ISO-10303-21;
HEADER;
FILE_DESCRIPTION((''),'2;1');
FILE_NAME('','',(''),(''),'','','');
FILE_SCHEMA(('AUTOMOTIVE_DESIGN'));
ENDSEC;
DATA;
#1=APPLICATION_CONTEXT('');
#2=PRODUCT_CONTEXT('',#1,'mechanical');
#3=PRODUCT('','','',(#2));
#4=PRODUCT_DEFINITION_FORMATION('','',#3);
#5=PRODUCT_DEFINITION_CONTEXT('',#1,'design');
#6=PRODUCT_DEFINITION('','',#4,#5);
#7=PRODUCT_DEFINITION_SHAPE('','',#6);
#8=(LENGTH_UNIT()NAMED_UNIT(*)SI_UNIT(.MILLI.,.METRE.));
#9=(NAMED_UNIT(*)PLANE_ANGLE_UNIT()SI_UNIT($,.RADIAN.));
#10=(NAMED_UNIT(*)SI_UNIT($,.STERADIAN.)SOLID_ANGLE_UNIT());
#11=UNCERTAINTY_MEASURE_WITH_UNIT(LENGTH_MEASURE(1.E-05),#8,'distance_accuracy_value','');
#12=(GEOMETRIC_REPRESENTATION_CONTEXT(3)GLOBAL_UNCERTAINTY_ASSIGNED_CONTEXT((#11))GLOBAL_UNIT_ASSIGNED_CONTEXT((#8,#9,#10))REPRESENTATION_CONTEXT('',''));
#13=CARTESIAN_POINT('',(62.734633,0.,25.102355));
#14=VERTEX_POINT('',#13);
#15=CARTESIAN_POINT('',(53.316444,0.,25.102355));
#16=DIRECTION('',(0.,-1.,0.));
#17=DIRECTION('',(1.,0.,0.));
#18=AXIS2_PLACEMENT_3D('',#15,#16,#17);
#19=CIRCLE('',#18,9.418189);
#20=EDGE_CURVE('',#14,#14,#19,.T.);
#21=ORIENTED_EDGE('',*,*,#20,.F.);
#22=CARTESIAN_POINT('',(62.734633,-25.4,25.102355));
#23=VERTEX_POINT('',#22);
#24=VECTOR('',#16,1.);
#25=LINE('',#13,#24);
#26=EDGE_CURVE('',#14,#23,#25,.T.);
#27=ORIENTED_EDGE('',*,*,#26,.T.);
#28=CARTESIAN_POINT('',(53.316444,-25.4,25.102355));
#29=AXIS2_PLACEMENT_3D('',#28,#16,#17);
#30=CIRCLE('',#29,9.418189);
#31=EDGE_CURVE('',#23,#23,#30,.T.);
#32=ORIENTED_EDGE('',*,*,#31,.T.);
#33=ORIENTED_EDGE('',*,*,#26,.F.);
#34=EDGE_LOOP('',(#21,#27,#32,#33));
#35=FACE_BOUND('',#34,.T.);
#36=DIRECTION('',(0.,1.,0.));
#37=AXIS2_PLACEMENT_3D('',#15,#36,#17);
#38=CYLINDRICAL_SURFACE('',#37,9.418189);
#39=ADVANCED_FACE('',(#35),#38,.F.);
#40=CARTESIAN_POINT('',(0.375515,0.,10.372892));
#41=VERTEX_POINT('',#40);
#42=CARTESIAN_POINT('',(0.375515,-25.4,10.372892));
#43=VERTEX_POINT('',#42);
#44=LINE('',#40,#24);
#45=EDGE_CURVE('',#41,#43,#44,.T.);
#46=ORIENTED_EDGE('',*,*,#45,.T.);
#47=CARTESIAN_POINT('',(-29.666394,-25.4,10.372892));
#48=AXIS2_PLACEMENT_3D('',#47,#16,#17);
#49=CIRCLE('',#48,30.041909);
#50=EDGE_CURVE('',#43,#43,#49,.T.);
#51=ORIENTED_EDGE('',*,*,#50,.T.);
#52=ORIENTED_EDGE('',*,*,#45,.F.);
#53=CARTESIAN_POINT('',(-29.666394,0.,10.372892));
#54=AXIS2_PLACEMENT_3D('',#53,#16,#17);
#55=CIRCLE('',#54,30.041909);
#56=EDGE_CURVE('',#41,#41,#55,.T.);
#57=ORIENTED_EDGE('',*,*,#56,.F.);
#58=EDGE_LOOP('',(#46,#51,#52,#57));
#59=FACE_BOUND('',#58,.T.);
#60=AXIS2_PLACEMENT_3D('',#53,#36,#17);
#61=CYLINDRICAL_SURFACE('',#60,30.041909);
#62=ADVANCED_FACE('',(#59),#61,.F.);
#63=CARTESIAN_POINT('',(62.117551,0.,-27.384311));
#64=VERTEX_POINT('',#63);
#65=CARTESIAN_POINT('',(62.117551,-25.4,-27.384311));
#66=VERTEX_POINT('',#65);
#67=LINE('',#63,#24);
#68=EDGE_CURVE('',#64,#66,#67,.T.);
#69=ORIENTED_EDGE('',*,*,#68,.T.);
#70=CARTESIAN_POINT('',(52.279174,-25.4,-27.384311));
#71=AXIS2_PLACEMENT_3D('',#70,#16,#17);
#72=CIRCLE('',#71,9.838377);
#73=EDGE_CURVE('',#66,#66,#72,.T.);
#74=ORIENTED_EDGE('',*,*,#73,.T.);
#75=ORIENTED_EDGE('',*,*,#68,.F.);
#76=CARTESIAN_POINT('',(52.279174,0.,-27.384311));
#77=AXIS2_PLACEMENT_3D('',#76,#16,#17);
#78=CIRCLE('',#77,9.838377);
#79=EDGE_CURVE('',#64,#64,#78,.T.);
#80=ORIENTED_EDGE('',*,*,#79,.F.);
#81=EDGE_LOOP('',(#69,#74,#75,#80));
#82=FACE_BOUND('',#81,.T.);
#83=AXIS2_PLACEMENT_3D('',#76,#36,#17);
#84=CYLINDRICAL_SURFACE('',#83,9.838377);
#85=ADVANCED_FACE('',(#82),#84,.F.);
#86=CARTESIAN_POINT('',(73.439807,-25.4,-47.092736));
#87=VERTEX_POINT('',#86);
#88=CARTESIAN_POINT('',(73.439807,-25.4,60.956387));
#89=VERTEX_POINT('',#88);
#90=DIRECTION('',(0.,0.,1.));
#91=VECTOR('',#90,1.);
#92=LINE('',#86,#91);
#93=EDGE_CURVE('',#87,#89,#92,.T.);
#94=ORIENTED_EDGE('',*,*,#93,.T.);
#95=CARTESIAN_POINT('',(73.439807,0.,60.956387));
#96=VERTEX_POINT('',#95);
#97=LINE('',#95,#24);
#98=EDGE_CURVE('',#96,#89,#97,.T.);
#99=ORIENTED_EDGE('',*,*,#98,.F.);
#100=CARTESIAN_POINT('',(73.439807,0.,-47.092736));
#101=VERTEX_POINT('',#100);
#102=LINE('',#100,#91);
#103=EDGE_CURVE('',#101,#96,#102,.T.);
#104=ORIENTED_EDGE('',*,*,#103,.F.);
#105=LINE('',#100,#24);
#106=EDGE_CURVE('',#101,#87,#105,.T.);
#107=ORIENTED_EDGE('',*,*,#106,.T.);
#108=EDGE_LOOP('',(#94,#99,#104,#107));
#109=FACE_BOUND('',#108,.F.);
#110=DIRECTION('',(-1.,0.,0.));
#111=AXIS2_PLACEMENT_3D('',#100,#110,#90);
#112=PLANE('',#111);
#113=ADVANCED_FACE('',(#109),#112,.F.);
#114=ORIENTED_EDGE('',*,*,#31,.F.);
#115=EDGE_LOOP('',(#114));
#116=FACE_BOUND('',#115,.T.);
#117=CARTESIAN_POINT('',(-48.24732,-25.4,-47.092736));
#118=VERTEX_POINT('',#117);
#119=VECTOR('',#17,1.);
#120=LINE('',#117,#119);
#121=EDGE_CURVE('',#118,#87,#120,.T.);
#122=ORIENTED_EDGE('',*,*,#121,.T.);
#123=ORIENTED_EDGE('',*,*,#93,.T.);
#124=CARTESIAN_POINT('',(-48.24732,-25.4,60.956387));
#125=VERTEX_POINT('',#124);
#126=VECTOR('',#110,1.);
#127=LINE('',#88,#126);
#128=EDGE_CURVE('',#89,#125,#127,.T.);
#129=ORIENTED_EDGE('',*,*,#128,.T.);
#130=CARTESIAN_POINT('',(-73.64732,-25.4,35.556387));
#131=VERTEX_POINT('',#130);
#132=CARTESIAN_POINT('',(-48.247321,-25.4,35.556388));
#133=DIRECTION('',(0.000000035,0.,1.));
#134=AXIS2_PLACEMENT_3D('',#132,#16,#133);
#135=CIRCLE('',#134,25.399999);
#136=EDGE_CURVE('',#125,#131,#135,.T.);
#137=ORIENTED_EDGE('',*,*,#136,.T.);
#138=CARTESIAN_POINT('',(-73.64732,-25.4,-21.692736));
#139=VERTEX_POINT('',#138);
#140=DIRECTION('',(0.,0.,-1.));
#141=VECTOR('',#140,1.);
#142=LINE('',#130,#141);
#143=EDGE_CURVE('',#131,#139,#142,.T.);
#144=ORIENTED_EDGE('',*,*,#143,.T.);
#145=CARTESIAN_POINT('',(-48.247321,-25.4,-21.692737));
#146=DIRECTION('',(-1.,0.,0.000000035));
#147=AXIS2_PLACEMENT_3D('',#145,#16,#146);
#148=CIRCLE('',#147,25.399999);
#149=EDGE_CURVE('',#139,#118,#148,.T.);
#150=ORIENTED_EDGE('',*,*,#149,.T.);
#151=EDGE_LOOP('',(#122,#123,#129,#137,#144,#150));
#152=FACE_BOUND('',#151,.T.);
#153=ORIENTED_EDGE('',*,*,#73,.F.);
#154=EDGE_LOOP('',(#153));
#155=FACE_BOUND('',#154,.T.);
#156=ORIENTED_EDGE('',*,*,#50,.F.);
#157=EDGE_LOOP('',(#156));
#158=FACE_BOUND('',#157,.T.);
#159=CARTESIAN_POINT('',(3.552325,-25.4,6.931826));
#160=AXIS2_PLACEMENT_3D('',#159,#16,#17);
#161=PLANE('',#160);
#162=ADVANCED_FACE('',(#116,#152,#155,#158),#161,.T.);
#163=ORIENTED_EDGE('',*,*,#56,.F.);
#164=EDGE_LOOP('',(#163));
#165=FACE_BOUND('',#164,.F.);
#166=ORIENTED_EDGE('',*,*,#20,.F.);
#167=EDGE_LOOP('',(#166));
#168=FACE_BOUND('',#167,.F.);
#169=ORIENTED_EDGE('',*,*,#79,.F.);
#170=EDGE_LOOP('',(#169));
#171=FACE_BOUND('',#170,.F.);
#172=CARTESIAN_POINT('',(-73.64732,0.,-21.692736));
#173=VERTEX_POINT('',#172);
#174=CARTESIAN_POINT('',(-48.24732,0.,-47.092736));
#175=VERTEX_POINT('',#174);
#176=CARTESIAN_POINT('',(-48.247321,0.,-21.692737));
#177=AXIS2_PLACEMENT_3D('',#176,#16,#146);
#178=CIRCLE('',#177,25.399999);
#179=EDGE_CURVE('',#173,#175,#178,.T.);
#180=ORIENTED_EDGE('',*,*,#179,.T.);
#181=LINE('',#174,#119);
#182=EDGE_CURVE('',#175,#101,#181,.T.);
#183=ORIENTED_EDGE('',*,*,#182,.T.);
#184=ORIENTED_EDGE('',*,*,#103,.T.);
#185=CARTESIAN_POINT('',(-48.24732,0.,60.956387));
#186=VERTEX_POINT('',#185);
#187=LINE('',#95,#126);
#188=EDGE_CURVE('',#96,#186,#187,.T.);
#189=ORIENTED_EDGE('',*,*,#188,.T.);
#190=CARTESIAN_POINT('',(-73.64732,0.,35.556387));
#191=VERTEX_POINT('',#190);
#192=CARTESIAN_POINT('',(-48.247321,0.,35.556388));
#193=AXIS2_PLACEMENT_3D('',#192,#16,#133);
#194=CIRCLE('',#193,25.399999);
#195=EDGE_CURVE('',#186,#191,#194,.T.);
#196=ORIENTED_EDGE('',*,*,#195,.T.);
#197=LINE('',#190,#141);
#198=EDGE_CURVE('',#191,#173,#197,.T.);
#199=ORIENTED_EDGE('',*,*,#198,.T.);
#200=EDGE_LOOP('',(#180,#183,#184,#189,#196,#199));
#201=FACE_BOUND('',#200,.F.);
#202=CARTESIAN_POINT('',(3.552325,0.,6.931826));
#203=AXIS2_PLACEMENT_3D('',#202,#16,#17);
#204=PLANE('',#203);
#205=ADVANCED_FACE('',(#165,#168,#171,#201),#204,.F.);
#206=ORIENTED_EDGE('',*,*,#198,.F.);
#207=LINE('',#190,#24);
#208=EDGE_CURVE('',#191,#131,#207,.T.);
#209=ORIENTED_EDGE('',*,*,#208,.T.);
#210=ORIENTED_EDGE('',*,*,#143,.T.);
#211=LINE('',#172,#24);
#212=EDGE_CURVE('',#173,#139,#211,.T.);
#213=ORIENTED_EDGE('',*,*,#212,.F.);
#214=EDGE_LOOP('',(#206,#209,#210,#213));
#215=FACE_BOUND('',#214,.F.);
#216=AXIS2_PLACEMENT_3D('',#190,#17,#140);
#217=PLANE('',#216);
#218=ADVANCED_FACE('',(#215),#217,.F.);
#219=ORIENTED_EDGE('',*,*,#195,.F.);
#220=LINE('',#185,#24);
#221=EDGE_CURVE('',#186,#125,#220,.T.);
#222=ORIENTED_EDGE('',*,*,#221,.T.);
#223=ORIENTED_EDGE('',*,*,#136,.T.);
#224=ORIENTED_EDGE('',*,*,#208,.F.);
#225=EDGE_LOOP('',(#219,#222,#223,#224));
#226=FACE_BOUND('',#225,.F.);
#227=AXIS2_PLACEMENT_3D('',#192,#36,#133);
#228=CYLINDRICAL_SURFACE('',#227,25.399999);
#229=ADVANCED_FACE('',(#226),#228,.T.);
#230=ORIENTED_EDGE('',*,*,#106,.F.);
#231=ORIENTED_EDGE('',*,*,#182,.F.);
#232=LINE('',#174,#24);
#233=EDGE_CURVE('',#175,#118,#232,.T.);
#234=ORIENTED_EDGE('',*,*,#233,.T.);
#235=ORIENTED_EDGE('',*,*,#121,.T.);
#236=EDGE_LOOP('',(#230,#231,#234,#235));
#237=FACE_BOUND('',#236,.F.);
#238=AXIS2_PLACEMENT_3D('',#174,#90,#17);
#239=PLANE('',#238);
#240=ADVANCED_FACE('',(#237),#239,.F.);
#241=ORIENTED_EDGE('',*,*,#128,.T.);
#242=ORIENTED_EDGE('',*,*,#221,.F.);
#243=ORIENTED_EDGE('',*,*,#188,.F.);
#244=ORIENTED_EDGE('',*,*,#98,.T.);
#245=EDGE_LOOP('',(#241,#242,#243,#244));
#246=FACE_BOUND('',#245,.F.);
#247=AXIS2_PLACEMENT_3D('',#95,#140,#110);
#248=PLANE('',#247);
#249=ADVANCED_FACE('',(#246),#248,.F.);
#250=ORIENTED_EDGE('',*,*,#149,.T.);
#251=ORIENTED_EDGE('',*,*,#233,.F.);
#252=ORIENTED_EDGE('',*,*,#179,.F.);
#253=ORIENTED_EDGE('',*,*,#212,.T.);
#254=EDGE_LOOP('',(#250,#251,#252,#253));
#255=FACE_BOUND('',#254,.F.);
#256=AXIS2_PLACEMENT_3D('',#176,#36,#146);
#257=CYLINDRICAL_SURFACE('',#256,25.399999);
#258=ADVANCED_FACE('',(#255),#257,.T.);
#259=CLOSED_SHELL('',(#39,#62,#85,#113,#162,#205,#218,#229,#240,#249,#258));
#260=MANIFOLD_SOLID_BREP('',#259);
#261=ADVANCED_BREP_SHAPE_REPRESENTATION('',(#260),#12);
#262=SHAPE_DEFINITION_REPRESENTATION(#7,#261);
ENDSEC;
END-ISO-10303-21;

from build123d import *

# Parameters (mm, degrees)
F0_R     = 9.838377
F0_R_2   = 30.041909
F0_R_3   = 9.418189
F1_DEPTH = 25.4


with BuildPart() as f1:
    # F0 (on Front) → F1 (new body)
    with BuildSketch(Plane.XZ):
        with BuildLine():
            Line((73.439807, 60.956387), (-48.24732, 60.956387))
            ThreePointArc((-48.24732, 60.956387), (-66.207833, 53.516899), (-73.64732, 35.556387))
            Line((-73.64732, 35.556387), (-73.64732, -21.692736))
            ThreePointArc((-73.64732, -21.692736), (-66.207833, -39.653248), (-48.24732, -47.092736))
            Line((-48.24732, -47.092736), (73.439807, -47.092736))
            Line((73.439807, -47.092736), (73.439807, 60.956387))
        make_face()
        with Locations((52.279174, -27.384311)):
            Circle(F0_R, mode=Mode.SUBTRACT)
        with Locations((-29.666394, 10.372892)):
            Circle(F0_R_2, mode=Mode.SUBTRACT)
        with Locations((53.316444, 25.102355)):
            Circle(F0_R_3, mode=Mode.SUBTRACT)
    extrude(amount=F1_DEPTH)


solid = f1.part
